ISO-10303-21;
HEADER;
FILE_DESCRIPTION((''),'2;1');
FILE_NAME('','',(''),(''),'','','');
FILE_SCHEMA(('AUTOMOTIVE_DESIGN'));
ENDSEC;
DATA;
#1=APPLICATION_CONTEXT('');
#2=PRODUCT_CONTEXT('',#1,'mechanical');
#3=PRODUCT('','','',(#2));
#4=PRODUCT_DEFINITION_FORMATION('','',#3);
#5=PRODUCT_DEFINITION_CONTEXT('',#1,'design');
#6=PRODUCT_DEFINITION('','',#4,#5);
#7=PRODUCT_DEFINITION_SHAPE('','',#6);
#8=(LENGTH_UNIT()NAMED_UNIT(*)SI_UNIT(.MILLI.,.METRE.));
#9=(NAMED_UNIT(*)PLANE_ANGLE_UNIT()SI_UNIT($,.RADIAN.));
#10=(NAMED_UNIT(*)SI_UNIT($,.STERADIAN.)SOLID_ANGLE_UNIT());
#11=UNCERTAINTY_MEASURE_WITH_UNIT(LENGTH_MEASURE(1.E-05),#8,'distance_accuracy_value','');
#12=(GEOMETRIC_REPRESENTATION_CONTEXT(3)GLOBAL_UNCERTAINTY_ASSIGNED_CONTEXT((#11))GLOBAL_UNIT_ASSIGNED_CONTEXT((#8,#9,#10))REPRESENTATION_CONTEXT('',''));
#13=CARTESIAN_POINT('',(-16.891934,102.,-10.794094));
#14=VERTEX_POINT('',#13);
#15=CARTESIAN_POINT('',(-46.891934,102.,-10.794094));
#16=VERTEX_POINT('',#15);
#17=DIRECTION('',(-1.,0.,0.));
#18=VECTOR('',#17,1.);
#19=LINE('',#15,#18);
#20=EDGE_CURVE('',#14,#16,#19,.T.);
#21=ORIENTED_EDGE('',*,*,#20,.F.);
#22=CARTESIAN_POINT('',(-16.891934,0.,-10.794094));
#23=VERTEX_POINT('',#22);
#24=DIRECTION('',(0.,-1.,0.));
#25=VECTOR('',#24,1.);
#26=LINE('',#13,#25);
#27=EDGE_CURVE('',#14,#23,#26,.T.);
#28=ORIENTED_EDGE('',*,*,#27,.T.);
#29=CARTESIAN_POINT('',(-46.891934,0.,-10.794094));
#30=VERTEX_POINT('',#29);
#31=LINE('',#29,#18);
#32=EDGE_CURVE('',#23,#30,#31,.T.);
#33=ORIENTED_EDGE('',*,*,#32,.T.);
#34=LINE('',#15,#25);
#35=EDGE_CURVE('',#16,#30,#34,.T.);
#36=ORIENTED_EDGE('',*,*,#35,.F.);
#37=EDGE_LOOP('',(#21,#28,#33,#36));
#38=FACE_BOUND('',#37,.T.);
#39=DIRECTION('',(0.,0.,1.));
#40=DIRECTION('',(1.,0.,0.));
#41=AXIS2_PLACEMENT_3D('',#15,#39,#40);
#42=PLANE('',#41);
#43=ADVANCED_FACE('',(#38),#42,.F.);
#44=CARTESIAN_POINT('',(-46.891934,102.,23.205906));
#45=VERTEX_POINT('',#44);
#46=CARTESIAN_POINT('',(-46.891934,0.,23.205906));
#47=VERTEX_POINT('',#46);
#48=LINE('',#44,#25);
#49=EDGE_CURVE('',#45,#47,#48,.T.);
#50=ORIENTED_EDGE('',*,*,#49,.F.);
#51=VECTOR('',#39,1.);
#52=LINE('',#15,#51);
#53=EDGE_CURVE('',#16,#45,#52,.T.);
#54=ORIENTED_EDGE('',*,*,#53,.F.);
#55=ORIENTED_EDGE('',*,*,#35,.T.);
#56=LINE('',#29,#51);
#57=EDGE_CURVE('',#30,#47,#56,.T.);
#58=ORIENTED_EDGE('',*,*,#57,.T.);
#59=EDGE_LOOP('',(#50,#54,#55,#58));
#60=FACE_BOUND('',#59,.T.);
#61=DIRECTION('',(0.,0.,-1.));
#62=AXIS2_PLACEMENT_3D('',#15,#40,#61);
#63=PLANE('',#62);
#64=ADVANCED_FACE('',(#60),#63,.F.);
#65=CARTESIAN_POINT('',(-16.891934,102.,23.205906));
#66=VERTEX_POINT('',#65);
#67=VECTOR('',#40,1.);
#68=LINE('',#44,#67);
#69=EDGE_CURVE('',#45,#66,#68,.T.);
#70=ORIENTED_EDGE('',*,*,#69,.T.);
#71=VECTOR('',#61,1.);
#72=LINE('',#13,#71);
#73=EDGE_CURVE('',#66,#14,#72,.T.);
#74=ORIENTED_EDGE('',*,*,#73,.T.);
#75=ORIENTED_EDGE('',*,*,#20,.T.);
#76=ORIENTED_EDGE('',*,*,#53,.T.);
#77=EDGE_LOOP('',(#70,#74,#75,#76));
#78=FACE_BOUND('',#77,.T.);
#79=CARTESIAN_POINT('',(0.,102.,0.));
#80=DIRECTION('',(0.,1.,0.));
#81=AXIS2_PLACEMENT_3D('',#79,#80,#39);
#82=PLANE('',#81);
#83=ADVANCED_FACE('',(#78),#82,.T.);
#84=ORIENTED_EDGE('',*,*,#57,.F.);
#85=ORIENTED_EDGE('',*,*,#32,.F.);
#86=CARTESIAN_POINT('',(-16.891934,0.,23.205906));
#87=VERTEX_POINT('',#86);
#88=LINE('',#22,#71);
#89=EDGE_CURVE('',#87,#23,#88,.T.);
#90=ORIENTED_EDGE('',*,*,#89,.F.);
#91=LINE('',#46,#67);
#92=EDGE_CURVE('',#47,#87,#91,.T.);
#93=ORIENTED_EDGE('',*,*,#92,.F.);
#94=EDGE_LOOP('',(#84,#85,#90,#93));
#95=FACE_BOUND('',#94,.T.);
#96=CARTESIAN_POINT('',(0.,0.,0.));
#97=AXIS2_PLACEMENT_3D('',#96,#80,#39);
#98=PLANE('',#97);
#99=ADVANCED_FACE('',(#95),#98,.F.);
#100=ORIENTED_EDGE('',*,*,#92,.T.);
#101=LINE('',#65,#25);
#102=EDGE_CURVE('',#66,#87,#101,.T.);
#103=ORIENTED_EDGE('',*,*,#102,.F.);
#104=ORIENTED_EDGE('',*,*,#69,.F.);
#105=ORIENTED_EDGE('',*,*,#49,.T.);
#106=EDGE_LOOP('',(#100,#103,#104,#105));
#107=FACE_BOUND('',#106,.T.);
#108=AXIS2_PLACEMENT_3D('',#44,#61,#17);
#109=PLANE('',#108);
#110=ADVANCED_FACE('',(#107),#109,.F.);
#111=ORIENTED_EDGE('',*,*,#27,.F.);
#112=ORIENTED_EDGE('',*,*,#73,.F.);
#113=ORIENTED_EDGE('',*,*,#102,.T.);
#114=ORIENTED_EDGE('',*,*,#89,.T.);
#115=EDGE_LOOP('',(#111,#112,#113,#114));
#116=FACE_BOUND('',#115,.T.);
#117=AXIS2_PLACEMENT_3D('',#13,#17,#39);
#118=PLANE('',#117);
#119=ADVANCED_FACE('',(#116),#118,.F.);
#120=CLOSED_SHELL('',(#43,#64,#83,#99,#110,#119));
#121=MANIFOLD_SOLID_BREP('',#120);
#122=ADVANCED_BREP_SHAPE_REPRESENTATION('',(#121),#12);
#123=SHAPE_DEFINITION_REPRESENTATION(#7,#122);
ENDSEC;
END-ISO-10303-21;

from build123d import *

# Parameters (mm, degrees)
SKETCH1_W      = 30
SKETCH1_H      = 34
EXTRUDE1_DEPTH = 102


with BuildPart() as part:
    # Sketch1 → Extrude1 (new body)
    with BuildSketch(Plane(origin=(0, 0, 0), x_dir=(1, 0, 0), z_dir=(0, 1, 0))):
        with Locations((-31.891933505, -6.20590566)):
            Rectangle(SKETCH1_W, SKETCH1_H)
    extrude(amount=EXTRUDE1_DEPTH)


solid = part.part
